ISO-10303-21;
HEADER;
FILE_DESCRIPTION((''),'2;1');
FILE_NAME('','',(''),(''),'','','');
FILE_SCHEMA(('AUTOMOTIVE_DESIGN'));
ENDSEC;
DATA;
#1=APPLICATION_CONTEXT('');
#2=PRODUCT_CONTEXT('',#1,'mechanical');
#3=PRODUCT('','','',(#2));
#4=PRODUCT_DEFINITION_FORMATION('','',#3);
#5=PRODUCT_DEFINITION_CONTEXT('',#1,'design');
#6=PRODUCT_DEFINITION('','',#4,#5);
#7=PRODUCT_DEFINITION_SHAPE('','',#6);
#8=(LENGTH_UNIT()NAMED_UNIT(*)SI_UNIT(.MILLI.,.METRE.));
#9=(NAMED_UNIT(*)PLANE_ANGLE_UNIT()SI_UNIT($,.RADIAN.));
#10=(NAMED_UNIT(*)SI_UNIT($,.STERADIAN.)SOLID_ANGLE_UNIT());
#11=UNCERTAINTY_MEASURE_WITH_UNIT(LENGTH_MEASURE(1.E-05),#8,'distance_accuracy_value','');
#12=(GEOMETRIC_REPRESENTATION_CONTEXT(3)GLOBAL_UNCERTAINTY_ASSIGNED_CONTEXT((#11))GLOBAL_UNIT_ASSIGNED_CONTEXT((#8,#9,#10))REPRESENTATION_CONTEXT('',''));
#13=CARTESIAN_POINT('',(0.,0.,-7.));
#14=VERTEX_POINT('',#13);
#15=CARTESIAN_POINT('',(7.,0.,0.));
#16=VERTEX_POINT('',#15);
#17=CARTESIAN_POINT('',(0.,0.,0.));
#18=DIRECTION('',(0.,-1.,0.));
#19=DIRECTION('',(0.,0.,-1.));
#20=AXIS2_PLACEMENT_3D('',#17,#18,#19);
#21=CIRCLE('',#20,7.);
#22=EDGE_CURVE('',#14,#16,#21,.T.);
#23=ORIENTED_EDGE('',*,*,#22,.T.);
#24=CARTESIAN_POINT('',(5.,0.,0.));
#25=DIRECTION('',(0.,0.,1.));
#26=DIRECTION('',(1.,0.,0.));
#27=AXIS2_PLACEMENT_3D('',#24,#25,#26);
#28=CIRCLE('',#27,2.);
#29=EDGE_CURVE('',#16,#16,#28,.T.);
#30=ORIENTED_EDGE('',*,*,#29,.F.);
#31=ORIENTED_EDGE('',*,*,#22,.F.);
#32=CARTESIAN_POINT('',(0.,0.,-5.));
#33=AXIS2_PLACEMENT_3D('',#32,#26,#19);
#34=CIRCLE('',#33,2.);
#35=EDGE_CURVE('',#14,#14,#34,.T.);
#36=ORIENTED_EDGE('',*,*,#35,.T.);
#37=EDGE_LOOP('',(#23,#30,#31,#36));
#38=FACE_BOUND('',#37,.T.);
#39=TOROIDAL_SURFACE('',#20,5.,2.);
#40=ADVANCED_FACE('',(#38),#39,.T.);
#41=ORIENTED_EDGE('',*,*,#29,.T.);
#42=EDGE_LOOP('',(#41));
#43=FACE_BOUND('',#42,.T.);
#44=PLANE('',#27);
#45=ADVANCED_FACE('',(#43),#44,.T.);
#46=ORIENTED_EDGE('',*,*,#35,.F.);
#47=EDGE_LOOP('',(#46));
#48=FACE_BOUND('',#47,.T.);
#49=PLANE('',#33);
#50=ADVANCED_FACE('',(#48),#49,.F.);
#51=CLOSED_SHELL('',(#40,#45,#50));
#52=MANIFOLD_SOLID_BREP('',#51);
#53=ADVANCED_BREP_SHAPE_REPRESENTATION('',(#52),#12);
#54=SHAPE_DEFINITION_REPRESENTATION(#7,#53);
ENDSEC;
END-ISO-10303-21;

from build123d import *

# Parameters (mm, degrees)
SKETCH1_R      = 2
REVOLVE1_ANGLE = 90


with BuildPart() as part:
    # Sketch1 → Revolve1 (revolve)
    with BuildSketch(Plane.XY):
        with Locations((5, 0)):
            Circle(SKETCH1_R)
    revolve(axis=Axis((0, -3, 0), (0, 1, 0)), revolution_arc=REVOLVE1_ANGLE)


solid = part.part
